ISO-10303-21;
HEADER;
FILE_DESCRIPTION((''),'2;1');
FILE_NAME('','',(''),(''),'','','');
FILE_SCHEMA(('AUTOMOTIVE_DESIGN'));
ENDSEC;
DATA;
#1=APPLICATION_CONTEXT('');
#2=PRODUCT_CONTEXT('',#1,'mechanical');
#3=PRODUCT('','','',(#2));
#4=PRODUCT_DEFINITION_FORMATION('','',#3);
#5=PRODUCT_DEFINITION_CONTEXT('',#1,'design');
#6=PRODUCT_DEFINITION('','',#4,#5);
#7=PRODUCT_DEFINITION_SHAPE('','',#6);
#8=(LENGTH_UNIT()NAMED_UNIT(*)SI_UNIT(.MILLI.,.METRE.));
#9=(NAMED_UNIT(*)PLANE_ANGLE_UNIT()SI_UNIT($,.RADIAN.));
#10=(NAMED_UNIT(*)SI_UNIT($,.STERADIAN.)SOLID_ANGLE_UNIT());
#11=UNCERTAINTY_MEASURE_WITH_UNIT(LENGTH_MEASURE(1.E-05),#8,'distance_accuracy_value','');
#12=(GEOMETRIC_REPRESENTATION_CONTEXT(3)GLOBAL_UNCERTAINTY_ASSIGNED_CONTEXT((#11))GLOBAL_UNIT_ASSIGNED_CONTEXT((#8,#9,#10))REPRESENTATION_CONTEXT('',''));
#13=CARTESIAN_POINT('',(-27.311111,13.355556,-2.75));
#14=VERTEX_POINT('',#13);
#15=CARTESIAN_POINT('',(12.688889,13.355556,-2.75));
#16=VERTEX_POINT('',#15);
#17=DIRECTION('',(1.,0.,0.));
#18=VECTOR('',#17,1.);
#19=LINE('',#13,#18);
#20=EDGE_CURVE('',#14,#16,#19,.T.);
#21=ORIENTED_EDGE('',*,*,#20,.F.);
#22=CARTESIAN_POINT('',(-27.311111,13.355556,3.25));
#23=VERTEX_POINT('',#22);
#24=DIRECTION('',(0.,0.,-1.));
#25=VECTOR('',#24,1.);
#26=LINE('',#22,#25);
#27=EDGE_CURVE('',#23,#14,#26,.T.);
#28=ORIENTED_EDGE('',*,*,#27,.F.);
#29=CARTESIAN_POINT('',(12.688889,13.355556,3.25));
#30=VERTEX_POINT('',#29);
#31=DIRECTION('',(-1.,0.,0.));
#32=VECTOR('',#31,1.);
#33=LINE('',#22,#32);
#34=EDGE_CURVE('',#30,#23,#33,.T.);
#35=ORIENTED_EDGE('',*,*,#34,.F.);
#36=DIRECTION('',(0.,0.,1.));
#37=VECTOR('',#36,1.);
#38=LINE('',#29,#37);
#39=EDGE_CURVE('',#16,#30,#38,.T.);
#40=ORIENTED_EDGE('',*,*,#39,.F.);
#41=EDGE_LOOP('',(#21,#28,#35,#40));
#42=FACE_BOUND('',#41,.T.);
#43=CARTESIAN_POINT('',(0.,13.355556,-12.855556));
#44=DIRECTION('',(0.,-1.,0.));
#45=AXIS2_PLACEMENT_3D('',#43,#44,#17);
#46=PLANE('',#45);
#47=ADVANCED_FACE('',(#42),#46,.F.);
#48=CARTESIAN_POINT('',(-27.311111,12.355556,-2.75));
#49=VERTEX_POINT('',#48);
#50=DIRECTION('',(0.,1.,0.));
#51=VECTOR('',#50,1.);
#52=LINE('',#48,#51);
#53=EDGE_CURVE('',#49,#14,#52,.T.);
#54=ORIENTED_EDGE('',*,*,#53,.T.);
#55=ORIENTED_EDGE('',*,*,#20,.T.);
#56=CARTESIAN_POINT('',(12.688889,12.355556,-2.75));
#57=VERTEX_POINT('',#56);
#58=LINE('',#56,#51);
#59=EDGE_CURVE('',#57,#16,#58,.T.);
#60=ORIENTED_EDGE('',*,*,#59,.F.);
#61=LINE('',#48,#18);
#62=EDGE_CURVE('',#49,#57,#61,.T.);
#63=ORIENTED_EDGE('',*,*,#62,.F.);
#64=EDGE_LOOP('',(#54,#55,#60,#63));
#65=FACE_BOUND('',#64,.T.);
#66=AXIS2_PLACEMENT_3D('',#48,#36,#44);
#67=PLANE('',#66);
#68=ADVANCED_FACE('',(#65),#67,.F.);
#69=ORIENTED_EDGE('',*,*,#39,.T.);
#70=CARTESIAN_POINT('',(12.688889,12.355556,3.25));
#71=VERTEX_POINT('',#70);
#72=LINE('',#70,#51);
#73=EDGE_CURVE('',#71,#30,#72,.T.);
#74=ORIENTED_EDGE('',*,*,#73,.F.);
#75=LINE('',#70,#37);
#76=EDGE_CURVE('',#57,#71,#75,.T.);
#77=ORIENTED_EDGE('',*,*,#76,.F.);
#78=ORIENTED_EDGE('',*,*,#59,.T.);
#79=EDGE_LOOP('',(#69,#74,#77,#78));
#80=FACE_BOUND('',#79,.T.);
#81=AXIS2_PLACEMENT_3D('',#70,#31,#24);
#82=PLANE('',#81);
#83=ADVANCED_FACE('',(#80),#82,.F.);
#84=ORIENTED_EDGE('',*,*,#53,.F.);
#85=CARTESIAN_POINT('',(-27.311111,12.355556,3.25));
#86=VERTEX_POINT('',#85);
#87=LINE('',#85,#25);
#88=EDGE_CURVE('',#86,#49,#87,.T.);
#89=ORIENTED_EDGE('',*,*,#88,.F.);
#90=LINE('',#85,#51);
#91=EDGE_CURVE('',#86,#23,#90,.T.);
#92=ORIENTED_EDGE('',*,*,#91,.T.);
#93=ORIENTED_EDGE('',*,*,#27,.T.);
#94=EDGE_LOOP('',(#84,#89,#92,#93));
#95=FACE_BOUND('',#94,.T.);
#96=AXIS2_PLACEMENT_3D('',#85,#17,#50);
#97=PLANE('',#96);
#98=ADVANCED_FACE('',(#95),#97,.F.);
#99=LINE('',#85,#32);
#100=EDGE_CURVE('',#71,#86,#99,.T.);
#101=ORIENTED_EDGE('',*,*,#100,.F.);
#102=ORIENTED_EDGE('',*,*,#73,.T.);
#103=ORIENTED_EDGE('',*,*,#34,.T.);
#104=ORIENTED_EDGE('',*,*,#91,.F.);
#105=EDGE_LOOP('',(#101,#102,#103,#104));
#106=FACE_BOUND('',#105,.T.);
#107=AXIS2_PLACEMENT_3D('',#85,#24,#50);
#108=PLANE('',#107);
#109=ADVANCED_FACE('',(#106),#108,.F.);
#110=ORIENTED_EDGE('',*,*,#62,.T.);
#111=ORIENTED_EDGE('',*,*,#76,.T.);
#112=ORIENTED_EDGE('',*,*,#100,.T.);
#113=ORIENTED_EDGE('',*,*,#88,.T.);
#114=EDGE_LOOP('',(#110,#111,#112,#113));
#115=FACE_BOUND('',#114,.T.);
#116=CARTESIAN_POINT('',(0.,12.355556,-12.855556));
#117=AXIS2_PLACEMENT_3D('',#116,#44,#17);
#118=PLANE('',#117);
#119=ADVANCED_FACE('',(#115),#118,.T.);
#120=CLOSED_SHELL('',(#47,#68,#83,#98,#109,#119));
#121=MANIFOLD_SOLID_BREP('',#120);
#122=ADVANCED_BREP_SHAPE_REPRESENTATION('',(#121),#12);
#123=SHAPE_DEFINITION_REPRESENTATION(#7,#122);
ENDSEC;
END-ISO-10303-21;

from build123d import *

# Parameters (mm, degrees)
SKETCH1_W             = 40
SKETCH1_H             = 6
BOSS_EXTRUDE1_DEPTH   = 1
BODY_MOVE_COPY1_ANGLE = 90


with BuildPart() as part:
    # Sketch1 → Boss-Extrude1 (new body)
    with BuildSketch(Plane.XY):
        with Locations((-7.311111111, 13.105555556)):
            Rectangle(SKETCH1_W, SKETCH1_H)
    extrude(amount=BOSS_EXTRUDE1_DEPTH)


with BuildPart() as part_1:
    # Body-Move/Copy1: moved
    add(part.part.rotate(Axis((0, 13.105555556, 0.25), (1, 0, 0)), BODY_MOVE_COPY1_ANGLE))


solid = part_1.part
